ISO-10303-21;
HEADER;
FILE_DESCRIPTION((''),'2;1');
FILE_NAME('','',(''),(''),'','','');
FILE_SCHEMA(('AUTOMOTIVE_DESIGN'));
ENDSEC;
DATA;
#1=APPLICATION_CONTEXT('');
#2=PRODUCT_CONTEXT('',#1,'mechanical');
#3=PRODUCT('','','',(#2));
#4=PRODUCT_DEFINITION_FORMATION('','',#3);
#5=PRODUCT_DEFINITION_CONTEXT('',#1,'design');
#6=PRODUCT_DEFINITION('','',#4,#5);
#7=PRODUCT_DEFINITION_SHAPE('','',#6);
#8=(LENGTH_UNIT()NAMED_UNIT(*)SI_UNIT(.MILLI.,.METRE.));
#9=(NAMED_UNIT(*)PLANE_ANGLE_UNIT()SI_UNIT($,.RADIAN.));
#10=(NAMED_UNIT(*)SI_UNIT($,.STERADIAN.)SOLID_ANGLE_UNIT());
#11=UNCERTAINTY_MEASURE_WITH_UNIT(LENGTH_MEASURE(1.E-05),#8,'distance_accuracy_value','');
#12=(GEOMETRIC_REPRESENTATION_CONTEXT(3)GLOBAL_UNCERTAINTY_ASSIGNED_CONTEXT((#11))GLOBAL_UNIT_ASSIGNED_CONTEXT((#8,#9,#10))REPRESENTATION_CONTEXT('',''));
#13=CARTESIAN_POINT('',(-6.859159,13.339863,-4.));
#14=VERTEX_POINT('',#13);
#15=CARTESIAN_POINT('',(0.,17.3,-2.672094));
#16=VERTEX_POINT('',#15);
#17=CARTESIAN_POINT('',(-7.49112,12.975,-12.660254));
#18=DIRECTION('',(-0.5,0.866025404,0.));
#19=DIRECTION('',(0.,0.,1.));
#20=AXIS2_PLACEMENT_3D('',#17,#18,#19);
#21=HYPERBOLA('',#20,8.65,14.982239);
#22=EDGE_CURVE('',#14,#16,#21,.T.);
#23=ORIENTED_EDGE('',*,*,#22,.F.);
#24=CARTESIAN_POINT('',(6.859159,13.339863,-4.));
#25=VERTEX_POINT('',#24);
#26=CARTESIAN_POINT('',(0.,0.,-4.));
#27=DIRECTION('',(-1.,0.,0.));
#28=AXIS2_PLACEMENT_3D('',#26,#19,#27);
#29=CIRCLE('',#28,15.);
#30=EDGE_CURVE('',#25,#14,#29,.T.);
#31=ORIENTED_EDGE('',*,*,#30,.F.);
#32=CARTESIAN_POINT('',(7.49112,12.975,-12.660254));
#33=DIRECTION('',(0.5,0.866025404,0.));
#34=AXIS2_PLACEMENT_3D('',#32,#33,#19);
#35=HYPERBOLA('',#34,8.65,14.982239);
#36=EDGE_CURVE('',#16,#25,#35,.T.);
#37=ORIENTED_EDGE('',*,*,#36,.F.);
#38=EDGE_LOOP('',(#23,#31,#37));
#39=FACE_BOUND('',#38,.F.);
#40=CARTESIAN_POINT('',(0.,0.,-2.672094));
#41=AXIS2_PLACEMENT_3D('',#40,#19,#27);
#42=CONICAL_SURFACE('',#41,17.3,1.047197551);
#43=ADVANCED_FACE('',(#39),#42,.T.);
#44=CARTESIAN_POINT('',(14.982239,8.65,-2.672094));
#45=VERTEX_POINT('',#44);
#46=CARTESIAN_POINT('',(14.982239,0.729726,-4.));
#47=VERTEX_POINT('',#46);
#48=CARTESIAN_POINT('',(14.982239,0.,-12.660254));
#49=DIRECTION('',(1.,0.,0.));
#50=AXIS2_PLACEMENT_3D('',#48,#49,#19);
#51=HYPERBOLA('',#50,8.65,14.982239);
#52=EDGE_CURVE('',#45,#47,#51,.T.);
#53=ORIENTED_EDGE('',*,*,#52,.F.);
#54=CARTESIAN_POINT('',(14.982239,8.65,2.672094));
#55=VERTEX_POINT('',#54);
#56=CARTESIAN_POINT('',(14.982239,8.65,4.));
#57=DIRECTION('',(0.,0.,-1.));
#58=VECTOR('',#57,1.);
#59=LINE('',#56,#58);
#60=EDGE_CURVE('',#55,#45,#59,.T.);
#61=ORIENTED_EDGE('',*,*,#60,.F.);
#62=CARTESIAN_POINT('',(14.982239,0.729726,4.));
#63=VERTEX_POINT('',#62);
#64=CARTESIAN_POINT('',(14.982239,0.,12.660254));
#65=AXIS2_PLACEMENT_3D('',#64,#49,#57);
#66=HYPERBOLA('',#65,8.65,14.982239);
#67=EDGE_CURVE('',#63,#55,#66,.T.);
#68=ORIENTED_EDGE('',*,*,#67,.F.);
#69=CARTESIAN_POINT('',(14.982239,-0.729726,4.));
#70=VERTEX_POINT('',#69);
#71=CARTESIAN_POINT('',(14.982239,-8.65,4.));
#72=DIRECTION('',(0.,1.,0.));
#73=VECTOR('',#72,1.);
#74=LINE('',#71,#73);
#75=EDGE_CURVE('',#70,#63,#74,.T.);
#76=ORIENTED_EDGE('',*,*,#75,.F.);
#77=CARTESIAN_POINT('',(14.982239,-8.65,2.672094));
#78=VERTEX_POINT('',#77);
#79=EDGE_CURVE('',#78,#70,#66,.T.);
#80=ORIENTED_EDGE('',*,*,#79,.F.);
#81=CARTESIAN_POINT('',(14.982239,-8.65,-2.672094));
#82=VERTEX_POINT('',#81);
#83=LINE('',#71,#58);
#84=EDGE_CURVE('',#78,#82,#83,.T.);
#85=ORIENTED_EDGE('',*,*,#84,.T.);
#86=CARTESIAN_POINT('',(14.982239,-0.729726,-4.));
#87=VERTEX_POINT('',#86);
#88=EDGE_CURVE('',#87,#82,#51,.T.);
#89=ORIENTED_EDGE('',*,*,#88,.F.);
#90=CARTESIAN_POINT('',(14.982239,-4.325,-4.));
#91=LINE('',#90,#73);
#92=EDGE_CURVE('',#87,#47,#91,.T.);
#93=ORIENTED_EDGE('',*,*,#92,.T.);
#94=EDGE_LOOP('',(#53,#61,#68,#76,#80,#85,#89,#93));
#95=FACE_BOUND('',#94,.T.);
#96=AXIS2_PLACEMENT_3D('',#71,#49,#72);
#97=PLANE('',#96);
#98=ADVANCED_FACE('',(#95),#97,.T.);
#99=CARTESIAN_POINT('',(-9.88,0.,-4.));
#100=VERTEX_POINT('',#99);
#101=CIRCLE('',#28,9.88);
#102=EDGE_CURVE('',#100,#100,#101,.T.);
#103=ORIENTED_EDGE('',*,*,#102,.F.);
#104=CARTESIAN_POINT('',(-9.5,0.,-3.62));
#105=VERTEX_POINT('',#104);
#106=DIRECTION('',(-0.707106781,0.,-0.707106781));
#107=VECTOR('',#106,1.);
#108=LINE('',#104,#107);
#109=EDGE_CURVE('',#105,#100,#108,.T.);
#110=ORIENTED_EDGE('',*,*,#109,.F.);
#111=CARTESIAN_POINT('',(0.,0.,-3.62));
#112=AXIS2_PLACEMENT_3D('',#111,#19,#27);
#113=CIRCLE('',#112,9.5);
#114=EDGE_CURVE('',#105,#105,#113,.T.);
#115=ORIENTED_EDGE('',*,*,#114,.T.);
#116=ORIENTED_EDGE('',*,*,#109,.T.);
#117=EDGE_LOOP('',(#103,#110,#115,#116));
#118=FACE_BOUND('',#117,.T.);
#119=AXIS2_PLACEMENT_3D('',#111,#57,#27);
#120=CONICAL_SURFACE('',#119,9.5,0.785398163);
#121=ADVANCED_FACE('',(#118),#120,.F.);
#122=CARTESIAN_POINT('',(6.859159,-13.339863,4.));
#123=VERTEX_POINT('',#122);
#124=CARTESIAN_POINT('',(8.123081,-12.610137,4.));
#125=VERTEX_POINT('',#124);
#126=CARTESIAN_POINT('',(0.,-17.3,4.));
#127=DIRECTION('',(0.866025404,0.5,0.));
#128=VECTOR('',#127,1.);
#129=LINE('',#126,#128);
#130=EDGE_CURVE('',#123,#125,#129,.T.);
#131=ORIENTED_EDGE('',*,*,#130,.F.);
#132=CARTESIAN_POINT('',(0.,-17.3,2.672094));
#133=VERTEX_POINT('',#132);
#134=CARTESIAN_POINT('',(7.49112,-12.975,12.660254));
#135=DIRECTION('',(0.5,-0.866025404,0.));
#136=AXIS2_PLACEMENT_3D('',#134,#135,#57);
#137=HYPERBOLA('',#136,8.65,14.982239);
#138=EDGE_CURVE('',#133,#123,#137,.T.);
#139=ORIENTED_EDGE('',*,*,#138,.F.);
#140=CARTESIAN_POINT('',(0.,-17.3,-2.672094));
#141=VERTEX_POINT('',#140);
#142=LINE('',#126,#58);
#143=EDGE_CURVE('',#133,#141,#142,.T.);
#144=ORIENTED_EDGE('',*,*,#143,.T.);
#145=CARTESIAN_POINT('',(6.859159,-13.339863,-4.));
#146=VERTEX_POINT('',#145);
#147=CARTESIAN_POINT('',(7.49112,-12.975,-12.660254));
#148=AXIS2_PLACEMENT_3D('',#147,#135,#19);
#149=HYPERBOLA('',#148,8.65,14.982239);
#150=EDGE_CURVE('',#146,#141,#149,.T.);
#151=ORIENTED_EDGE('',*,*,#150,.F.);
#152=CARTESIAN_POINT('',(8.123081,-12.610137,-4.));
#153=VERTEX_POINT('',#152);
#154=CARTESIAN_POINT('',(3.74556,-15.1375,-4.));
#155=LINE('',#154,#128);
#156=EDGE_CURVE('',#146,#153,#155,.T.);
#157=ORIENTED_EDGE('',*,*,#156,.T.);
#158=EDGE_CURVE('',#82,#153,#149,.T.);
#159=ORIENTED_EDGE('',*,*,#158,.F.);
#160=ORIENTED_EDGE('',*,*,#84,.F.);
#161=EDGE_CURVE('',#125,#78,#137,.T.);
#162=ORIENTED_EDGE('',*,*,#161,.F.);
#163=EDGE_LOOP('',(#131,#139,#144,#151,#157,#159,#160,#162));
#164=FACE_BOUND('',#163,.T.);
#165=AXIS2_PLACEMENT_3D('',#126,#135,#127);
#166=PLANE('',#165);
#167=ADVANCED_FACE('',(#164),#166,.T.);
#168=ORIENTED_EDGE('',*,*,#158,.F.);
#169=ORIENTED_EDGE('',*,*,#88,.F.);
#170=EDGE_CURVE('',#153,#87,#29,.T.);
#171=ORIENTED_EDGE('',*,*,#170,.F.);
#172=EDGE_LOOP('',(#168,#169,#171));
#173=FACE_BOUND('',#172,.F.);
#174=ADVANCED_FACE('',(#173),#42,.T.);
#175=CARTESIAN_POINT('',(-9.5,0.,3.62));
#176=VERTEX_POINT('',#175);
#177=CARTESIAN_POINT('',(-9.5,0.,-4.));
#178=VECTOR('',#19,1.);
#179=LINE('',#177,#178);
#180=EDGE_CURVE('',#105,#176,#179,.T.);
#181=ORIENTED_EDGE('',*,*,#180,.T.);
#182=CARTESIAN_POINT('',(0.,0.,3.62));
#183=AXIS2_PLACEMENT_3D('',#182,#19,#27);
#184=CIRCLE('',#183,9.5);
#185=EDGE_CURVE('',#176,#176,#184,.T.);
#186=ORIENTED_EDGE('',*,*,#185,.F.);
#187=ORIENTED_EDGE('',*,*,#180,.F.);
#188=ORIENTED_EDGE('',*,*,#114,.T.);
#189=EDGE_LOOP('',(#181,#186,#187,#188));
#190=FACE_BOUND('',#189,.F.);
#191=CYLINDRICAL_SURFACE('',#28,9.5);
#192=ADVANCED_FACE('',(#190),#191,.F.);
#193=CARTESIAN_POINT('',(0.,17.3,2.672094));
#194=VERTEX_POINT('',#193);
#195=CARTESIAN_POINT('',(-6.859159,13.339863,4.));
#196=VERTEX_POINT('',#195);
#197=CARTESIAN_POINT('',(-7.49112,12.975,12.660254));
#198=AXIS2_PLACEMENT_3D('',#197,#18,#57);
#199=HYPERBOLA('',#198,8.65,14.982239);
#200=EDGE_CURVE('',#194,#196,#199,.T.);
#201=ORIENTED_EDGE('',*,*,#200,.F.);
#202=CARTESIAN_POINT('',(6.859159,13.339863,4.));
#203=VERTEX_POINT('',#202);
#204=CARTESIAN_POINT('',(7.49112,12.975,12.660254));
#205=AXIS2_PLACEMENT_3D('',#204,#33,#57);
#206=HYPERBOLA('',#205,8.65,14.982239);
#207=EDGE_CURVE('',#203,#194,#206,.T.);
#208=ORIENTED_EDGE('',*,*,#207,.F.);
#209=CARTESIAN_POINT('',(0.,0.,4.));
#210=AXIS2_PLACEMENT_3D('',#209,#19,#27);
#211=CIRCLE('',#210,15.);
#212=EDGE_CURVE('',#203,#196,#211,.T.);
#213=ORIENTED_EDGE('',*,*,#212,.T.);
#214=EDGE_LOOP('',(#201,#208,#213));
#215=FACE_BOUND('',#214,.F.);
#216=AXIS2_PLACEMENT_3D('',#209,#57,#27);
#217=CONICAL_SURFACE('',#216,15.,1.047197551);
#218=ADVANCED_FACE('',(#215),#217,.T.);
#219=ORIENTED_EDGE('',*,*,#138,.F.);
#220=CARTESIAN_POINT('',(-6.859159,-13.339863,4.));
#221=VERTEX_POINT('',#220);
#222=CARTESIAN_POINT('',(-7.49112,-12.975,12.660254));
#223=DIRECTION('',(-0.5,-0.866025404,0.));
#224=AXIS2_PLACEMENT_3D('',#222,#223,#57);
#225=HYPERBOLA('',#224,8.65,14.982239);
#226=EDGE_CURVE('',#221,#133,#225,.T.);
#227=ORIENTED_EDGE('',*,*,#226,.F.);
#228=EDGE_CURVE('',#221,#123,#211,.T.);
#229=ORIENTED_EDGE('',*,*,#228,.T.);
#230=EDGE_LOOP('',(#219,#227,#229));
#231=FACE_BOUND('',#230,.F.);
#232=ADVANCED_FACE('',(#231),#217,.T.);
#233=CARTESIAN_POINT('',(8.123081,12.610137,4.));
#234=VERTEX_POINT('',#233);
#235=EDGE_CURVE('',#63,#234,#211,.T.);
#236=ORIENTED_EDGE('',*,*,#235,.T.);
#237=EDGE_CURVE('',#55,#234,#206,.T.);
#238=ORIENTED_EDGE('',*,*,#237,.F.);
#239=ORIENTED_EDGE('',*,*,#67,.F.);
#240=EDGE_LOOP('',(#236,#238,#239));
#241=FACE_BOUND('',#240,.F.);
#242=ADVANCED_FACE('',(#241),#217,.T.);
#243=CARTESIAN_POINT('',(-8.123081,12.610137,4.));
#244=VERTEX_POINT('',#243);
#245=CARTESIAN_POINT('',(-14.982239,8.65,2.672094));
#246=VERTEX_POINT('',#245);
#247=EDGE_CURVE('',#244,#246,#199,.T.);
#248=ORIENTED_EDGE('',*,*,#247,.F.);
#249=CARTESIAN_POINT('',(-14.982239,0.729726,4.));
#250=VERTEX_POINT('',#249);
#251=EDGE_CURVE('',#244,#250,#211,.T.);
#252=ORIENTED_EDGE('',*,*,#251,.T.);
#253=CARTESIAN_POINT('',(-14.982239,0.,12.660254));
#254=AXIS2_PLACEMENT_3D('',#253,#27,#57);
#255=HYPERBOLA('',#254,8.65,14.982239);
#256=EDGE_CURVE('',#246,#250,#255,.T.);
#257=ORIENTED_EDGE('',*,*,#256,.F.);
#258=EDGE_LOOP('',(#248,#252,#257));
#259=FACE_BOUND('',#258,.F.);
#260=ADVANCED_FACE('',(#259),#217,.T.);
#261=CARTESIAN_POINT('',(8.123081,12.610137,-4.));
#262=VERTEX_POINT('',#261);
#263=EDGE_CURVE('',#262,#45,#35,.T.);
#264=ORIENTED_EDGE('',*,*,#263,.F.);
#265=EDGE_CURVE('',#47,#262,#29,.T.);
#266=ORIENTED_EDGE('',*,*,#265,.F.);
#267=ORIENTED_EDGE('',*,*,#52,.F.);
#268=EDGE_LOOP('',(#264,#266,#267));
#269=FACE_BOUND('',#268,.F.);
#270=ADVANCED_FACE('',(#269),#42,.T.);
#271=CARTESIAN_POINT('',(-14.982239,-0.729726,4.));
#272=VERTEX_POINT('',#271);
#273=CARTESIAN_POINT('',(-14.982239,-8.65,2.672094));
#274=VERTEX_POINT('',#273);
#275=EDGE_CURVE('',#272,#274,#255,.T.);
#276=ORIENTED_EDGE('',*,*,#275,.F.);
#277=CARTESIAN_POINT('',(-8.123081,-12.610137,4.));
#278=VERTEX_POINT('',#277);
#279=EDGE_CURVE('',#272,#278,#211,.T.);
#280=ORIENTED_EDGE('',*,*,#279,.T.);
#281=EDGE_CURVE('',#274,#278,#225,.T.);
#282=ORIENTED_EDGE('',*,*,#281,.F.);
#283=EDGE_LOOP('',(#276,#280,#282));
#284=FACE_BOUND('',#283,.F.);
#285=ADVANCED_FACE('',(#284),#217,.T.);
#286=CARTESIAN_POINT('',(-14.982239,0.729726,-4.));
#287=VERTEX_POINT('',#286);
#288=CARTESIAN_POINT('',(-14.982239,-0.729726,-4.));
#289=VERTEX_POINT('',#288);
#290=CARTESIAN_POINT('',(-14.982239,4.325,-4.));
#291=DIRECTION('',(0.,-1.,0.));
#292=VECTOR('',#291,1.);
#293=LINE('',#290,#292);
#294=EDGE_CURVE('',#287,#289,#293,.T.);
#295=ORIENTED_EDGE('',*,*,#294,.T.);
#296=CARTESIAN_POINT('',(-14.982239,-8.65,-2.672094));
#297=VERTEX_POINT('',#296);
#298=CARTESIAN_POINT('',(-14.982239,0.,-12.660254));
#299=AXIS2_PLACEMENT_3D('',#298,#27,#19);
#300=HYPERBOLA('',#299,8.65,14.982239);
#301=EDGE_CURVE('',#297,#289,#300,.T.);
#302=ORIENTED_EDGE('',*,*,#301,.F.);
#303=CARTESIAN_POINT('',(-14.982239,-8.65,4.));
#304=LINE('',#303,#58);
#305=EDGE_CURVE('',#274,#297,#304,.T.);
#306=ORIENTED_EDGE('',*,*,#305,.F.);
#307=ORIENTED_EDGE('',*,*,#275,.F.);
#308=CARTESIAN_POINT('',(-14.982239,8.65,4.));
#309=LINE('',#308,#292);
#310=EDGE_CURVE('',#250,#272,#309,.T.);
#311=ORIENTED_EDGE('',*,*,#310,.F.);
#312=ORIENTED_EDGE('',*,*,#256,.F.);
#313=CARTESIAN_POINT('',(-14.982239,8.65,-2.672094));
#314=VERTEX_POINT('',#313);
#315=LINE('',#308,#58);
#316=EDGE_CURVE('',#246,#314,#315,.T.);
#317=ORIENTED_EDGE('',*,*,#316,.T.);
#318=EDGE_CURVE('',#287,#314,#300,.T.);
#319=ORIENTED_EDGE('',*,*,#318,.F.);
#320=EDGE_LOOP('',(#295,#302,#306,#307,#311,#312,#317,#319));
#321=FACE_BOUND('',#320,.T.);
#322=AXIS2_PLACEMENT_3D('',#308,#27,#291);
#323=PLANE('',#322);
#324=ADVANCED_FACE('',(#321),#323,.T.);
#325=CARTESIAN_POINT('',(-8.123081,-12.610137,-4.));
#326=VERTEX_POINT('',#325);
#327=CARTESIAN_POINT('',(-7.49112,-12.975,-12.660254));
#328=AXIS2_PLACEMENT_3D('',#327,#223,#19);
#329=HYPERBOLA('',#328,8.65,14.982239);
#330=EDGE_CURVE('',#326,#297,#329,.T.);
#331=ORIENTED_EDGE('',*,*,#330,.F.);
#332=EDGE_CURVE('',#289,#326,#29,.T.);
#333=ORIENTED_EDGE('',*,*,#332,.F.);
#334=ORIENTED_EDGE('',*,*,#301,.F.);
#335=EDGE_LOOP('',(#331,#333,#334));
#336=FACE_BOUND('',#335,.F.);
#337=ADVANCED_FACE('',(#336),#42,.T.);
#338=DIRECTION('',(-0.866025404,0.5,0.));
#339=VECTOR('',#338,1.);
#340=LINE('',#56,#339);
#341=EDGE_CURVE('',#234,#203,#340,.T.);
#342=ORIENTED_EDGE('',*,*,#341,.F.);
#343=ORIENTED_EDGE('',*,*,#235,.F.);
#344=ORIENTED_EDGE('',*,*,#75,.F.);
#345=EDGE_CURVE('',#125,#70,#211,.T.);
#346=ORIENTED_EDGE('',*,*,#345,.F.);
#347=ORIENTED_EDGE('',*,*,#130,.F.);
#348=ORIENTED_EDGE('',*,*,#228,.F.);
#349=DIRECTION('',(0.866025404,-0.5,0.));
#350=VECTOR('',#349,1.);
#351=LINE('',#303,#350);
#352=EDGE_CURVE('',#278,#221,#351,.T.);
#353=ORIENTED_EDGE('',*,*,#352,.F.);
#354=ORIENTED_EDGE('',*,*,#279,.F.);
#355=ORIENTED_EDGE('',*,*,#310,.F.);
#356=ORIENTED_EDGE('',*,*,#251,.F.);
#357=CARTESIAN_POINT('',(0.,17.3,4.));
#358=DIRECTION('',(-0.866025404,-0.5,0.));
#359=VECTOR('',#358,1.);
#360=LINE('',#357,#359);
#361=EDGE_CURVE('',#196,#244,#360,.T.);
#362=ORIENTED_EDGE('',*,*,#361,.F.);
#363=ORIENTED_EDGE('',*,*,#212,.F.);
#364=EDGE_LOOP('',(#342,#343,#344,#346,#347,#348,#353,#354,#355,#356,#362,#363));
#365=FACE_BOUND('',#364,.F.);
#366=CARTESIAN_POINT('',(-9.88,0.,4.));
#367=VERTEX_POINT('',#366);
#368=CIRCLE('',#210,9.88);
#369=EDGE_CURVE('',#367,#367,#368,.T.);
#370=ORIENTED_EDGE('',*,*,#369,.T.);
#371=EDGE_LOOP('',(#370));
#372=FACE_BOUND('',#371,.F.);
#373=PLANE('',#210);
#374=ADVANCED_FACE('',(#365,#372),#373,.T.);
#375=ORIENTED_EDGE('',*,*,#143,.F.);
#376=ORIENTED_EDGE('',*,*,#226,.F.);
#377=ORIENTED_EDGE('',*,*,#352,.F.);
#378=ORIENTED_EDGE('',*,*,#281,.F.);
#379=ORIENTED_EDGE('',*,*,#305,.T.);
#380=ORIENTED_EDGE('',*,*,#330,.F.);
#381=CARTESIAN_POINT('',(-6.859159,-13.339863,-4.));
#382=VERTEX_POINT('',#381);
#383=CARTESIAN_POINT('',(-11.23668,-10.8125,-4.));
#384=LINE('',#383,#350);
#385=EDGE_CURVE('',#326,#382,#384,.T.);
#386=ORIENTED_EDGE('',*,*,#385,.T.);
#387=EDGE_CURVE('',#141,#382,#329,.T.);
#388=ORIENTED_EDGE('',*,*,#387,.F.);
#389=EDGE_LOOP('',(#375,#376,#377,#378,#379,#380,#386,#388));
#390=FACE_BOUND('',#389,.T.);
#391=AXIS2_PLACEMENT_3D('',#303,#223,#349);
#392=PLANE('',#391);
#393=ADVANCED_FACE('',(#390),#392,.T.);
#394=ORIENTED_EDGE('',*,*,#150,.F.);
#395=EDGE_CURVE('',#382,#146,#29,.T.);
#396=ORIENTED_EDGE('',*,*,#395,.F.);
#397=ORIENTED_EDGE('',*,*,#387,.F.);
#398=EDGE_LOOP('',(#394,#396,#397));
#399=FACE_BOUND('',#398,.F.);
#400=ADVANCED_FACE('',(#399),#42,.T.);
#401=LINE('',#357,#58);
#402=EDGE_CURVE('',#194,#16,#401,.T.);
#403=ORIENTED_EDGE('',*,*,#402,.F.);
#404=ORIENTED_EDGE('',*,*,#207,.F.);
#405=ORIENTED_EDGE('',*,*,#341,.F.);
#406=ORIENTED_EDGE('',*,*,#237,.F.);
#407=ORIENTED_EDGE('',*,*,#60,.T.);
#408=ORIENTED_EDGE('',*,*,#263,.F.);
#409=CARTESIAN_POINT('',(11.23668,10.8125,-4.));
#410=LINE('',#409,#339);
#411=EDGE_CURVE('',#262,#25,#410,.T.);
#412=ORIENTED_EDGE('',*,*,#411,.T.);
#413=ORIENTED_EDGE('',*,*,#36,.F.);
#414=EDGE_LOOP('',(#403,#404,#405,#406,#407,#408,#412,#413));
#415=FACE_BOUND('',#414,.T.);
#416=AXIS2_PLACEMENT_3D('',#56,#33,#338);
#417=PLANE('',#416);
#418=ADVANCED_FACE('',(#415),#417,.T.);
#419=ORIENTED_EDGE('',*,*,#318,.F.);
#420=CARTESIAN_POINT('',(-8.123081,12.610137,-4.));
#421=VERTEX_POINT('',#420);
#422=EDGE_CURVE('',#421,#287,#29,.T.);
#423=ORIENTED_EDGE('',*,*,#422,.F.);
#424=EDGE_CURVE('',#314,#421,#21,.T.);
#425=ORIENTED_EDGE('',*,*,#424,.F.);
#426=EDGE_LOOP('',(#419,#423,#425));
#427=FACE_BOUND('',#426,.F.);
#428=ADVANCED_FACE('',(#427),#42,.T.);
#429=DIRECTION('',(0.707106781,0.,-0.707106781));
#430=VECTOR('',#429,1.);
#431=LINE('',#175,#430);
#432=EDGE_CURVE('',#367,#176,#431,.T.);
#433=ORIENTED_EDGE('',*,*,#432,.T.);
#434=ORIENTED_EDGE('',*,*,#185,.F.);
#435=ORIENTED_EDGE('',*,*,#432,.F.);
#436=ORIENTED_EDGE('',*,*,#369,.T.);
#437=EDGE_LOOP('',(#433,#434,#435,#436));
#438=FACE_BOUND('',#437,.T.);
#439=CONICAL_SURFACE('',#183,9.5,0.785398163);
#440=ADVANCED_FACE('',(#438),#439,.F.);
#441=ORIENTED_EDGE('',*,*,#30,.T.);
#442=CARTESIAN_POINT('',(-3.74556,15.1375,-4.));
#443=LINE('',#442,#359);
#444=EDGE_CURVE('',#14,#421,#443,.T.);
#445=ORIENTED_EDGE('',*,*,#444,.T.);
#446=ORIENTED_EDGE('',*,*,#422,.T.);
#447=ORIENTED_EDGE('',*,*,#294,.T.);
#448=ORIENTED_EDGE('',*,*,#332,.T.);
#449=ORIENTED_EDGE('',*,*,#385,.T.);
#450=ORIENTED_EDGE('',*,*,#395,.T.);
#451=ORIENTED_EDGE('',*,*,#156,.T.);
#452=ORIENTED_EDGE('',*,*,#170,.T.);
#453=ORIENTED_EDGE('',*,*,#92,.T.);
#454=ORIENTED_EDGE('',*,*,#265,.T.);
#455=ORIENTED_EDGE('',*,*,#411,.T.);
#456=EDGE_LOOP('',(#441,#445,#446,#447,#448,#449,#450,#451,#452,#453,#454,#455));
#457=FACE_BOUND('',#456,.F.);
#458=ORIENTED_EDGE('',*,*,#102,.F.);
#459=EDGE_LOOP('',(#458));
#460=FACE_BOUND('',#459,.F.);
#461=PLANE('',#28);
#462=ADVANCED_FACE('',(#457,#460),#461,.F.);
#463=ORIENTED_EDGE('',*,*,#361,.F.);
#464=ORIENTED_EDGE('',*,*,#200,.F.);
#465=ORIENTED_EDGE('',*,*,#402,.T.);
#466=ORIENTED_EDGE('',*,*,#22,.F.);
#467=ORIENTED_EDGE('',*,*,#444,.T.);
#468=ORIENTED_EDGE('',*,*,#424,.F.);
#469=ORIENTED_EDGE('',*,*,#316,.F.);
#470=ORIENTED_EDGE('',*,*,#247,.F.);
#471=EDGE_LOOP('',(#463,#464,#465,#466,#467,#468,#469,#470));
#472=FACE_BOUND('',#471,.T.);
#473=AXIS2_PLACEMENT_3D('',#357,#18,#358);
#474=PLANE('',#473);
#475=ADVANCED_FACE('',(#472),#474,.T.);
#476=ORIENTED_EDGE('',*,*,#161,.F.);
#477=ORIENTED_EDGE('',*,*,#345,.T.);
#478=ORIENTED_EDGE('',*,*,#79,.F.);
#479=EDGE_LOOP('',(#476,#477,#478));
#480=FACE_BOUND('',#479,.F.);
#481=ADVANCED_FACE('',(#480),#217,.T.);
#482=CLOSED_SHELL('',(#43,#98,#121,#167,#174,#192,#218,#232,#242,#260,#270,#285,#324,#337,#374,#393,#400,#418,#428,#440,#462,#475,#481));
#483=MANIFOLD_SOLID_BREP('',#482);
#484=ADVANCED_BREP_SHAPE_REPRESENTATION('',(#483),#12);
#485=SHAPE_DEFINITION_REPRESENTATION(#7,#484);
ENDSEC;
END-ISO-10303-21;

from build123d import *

# Parameters (mm, degrees)
SKETCH3_OUTSIDE_W = 46.516
SKETCH3_OUTSIDE_H = 46.516
HEX_2_DEPTH       = 26.740629363
INNERCHAMFER_SIZE = 0.38


with BuildPart() as part:
    # Sketch2 → Body (revolve)
    with BuildSketch(Plane(origin=(0, 0, 0), x_dir=(0, 0, -1), z_dir=(1, 0, 0)), mode=Mode.PRIVATE) as body_sk:
        Polygon((-4, 9.5), (-4, 15), (-2.672094381, 17.3), (2.672094381, 17.3), (4, 15), (4, 9.5), align=None)
    revolve(body_sk.sketch.rotate(Axis((0, 0, 27.389186195), (0, 0, 1)), 90), axis=Axis((0, 0, 27.389186195), (0, 0, 1)))

    # Sketch3 outside → Hex 2 (cut, through all)
    with BuildSketch(Plane.XY.offset(4)):
        Rectangle(SKETCH3_OUTSIDE_W, SKETCH3_OUTSIDE_H)
        Polygon((14.982239485, -8.65), (14.982239485, 8.65), (0, 17.3), (-14.982239485, 8.65), (-14.982239485, -8.65), (0, -17.3), align=None, mode=Mode.SUBTRACT)
    extrude(amount=-HEX_2_DEPTH, mode=Mode.SUBTRACT)

    # InnerChamfer
    innerchamfer_edges = [part.edges().sort_by_distance(p)[0] for p in [
        (9.5, 0, 4),
        (9.5, 0, -4),
    ]]
    chamfer(innerchamfer_edges, length=INNERCHAMFER_SIZE)


solid = part.part
